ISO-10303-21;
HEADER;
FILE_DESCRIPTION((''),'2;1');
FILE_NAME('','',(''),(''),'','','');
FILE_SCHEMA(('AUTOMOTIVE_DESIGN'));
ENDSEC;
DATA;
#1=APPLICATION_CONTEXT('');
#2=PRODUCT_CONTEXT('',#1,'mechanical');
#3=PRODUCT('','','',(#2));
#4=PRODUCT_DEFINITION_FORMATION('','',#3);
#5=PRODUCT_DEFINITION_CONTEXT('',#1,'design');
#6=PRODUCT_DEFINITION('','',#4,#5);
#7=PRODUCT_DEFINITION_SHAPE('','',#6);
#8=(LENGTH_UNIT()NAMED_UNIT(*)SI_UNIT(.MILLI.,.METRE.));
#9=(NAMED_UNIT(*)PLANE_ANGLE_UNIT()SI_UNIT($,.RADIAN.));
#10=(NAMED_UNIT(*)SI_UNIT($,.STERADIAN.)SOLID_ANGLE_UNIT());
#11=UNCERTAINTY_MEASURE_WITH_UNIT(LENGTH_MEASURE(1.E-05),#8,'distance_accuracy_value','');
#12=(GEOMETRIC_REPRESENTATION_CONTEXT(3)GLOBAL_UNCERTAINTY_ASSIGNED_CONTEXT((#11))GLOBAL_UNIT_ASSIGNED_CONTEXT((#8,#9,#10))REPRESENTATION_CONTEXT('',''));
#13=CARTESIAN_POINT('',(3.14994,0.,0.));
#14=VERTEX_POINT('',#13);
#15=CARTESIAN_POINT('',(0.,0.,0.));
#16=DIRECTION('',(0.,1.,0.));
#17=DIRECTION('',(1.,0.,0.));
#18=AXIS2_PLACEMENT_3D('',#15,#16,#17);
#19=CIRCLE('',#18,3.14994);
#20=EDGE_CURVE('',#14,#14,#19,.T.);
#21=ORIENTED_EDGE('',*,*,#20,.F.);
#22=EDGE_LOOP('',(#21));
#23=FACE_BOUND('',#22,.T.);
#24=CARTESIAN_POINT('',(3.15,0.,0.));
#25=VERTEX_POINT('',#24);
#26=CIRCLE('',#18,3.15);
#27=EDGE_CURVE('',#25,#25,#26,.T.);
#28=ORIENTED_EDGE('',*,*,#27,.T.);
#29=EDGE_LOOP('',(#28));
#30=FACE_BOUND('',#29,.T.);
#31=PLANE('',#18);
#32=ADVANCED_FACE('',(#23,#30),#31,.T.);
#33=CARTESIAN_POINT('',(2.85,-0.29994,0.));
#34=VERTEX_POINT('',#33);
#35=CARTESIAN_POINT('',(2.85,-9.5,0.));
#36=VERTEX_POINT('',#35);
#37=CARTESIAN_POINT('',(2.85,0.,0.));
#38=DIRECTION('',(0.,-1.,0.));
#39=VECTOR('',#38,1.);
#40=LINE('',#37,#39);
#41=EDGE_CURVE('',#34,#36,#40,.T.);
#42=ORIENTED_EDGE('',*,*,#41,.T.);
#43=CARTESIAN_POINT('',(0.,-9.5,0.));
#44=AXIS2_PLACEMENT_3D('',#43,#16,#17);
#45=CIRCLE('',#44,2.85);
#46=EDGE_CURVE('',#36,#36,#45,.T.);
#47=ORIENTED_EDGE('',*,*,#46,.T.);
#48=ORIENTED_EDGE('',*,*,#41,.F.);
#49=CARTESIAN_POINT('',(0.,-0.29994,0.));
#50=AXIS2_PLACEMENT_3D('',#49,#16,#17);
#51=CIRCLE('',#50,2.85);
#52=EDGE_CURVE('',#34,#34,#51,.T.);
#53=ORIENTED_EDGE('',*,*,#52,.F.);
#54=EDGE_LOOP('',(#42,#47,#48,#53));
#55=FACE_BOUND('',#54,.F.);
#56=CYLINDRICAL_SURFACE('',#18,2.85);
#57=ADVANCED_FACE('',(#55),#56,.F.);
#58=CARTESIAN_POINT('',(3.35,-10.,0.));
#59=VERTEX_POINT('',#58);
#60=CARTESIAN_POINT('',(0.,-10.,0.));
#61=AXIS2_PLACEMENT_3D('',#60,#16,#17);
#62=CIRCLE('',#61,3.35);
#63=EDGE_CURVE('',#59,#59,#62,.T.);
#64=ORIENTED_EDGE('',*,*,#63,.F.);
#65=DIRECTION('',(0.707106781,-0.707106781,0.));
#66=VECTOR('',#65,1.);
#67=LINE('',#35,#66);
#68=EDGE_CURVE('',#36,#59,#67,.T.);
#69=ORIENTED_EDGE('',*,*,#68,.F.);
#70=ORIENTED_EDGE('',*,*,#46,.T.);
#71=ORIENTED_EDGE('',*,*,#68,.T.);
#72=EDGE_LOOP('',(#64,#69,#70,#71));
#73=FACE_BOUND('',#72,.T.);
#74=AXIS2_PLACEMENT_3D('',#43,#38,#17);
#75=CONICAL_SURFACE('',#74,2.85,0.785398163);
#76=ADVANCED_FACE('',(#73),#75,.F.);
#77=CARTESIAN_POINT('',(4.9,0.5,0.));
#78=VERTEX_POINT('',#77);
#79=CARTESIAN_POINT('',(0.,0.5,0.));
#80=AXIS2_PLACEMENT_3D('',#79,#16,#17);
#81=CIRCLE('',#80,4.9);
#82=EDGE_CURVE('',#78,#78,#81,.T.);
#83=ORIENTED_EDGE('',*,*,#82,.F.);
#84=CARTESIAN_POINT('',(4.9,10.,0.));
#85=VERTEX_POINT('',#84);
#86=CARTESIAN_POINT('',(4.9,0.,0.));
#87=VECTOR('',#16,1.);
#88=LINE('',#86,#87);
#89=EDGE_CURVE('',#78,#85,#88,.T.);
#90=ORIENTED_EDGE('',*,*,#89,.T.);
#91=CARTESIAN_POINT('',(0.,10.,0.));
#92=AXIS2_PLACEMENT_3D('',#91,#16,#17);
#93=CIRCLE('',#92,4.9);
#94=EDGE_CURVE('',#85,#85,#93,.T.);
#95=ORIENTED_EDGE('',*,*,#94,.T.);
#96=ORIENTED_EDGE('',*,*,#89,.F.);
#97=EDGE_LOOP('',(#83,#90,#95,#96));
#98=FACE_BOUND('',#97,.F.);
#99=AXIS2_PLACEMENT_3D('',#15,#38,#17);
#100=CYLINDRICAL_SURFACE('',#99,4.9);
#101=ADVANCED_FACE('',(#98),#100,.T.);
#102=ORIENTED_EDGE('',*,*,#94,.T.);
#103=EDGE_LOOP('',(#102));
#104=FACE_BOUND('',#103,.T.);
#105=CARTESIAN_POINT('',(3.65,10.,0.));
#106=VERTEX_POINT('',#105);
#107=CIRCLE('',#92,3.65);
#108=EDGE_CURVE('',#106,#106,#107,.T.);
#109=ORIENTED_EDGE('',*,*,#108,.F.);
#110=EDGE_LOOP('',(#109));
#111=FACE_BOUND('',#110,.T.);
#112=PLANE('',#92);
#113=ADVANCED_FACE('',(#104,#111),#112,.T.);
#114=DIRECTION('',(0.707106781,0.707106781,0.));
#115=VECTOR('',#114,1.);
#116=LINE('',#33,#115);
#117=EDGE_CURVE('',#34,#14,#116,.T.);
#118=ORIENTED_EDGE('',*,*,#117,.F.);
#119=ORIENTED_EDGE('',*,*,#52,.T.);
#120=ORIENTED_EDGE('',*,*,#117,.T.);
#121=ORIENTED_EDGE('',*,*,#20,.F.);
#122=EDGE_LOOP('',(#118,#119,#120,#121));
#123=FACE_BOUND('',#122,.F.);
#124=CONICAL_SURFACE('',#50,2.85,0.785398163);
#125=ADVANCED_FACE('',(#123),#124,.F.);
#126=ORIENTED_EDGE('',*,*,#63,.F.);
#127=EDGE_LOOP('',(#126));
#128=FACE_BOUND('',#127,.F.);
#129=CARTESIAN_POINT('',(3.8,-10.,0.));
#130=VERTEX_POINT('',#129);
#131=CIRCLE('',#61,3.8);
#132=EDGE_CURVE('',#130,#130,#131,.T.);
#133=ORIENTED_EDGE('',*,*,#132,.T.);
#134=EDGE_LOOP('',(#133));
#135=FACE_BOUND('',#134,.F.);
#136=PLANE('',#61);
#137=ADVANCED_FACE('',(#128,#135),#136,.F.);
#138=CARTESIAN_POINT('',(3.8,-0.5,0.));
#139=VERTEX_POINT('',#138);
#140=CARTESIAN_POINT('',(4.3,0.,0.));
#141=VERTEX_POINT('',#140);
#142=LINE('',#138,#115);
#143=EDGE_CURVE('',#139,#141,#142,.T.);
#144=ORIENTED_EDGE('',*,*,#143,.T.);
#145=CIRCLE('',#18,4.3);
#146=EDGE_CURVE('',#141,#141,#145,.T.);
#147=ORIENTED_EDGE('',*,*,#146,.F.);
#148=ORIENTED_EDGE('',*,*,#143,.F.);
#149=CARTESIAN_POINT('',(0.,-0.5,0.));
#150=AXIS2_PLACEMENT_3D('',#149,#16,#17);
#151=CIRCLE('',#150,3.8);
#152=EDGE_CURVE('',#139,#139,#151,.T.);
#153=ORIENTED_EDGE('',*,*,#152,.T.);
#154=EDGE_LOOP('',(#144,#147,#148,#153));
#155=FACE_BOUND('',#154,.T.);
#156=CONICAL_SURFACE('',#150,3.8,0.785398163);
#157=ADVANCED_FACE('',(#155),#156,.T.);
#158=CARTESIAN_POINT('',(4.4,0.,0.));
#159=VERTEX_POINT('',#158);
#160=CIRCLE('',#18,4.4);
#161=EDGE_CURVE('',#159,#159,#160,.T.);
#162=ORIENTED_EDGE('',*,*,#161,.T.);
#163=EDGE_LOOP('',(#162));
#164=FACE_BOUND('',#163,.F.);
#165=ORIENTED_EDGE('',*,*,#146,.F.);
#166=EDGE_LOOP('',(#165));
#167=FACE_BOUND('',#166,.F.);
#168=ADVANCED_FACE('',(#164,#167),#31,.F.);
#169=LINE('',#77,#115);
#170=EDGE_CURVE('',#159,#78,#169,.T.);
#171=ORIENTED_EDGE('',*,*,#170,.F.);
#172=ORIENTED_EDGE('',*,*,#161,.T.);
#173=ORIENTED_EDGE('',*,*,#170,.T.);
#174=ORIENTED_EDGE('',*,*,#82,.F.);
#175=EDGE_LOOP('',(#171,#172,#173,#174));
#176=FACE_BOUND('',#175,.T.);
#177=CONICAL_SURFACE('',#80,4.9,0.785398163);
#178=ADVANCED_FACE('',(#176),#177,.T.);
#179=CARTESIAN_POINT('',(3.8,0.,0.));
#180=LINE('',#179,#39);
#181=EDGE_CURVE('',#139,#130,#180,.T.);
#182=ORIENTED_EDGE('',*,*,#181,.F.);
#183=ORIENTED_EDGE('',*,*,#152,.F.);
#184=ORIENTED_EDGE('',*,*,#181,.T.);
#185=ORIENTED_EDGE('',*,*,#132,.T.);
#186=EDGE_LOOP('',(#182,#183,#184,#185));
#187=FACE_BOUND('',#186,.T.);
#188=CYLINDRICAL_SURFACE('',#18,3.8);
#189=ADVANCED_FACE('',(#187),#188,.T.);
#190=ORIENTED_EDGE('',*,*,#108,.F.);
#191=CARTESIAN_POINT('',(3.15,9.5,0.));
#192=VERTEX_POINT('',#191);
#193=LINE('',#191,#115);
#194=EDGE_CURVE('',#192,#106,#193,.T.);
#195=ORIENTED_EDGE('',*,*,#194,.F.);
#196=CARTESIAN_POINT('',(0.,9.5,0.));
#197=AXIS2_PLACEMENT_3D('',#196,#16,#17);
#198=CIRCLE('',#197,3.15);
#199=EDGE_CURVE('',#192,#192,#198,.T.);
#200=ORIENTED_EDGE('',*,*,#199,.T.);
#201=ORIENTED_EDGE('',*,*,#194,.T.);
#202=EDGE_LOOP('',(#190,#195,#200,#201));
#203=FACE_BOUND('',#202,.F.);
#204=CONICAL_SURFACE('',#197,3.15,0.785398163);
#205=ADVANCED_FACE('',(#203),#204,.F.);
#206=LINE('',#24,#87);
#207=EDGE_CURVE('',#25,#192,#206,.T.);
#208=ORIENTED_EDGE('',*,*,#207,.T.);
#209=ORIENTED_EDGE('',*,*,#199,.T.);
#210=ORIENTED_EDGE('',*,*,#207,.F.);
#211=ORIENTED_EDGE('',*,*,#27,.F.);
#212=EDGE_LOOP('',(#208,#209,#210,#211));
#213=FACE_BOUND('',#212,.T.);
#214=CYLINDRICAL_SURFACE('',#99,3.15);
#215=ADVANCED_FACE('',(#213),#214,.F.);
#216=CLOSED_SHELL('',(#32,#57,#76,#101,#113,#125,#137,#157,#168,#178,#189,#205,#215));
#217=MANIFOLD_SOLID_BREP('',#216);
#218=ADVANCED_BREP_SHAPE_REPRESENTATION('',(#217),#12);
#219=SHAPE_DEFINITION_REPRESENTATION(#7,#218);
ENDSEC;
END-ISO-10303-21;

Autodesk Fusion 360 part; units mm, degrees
sketch "Sketch1" plane through (0, 0, 0) normal (0, 1, 0) x (1, 0, 0)
  circle A0 centre (0, 0) radius 3.8
  circle A1 centre (0, 0) radius 4.9
  circle A2 centre (0, 0) radius 2.85
  circle A3 centre (0, 0) radius 3.15
  dimension "d1" = 7.6
  dimension "d2" = 9.8
  dimension "d3" = 5.7
  dimension "d4" = 6.3
extrude "Extrude1" add sketch "Sketch1" against normal blind 10 contours A0 | A3
extrude "Extrude2" add sketch "Sketch1" along normal blind 10 contours A0 | A1
chamfer "Chamfer1" distance 0.5 angle 45 1 edges at (-3.5428, 0, 1.3741)
chamfer "Chamfer2" distance 0.3 angle 45 1 edges at (-2.6571, 0, -1.0306)
chamfer "Chamfer3" distance 0.5 angle 45 2 edges at (-2.6571, -10, 1.0306) (-2.9368, 10, -1.1391)
chamfer "Chamfer4" distance 0.5 angle 45 1 edges at (-4.5684, 0, 1.7719)
